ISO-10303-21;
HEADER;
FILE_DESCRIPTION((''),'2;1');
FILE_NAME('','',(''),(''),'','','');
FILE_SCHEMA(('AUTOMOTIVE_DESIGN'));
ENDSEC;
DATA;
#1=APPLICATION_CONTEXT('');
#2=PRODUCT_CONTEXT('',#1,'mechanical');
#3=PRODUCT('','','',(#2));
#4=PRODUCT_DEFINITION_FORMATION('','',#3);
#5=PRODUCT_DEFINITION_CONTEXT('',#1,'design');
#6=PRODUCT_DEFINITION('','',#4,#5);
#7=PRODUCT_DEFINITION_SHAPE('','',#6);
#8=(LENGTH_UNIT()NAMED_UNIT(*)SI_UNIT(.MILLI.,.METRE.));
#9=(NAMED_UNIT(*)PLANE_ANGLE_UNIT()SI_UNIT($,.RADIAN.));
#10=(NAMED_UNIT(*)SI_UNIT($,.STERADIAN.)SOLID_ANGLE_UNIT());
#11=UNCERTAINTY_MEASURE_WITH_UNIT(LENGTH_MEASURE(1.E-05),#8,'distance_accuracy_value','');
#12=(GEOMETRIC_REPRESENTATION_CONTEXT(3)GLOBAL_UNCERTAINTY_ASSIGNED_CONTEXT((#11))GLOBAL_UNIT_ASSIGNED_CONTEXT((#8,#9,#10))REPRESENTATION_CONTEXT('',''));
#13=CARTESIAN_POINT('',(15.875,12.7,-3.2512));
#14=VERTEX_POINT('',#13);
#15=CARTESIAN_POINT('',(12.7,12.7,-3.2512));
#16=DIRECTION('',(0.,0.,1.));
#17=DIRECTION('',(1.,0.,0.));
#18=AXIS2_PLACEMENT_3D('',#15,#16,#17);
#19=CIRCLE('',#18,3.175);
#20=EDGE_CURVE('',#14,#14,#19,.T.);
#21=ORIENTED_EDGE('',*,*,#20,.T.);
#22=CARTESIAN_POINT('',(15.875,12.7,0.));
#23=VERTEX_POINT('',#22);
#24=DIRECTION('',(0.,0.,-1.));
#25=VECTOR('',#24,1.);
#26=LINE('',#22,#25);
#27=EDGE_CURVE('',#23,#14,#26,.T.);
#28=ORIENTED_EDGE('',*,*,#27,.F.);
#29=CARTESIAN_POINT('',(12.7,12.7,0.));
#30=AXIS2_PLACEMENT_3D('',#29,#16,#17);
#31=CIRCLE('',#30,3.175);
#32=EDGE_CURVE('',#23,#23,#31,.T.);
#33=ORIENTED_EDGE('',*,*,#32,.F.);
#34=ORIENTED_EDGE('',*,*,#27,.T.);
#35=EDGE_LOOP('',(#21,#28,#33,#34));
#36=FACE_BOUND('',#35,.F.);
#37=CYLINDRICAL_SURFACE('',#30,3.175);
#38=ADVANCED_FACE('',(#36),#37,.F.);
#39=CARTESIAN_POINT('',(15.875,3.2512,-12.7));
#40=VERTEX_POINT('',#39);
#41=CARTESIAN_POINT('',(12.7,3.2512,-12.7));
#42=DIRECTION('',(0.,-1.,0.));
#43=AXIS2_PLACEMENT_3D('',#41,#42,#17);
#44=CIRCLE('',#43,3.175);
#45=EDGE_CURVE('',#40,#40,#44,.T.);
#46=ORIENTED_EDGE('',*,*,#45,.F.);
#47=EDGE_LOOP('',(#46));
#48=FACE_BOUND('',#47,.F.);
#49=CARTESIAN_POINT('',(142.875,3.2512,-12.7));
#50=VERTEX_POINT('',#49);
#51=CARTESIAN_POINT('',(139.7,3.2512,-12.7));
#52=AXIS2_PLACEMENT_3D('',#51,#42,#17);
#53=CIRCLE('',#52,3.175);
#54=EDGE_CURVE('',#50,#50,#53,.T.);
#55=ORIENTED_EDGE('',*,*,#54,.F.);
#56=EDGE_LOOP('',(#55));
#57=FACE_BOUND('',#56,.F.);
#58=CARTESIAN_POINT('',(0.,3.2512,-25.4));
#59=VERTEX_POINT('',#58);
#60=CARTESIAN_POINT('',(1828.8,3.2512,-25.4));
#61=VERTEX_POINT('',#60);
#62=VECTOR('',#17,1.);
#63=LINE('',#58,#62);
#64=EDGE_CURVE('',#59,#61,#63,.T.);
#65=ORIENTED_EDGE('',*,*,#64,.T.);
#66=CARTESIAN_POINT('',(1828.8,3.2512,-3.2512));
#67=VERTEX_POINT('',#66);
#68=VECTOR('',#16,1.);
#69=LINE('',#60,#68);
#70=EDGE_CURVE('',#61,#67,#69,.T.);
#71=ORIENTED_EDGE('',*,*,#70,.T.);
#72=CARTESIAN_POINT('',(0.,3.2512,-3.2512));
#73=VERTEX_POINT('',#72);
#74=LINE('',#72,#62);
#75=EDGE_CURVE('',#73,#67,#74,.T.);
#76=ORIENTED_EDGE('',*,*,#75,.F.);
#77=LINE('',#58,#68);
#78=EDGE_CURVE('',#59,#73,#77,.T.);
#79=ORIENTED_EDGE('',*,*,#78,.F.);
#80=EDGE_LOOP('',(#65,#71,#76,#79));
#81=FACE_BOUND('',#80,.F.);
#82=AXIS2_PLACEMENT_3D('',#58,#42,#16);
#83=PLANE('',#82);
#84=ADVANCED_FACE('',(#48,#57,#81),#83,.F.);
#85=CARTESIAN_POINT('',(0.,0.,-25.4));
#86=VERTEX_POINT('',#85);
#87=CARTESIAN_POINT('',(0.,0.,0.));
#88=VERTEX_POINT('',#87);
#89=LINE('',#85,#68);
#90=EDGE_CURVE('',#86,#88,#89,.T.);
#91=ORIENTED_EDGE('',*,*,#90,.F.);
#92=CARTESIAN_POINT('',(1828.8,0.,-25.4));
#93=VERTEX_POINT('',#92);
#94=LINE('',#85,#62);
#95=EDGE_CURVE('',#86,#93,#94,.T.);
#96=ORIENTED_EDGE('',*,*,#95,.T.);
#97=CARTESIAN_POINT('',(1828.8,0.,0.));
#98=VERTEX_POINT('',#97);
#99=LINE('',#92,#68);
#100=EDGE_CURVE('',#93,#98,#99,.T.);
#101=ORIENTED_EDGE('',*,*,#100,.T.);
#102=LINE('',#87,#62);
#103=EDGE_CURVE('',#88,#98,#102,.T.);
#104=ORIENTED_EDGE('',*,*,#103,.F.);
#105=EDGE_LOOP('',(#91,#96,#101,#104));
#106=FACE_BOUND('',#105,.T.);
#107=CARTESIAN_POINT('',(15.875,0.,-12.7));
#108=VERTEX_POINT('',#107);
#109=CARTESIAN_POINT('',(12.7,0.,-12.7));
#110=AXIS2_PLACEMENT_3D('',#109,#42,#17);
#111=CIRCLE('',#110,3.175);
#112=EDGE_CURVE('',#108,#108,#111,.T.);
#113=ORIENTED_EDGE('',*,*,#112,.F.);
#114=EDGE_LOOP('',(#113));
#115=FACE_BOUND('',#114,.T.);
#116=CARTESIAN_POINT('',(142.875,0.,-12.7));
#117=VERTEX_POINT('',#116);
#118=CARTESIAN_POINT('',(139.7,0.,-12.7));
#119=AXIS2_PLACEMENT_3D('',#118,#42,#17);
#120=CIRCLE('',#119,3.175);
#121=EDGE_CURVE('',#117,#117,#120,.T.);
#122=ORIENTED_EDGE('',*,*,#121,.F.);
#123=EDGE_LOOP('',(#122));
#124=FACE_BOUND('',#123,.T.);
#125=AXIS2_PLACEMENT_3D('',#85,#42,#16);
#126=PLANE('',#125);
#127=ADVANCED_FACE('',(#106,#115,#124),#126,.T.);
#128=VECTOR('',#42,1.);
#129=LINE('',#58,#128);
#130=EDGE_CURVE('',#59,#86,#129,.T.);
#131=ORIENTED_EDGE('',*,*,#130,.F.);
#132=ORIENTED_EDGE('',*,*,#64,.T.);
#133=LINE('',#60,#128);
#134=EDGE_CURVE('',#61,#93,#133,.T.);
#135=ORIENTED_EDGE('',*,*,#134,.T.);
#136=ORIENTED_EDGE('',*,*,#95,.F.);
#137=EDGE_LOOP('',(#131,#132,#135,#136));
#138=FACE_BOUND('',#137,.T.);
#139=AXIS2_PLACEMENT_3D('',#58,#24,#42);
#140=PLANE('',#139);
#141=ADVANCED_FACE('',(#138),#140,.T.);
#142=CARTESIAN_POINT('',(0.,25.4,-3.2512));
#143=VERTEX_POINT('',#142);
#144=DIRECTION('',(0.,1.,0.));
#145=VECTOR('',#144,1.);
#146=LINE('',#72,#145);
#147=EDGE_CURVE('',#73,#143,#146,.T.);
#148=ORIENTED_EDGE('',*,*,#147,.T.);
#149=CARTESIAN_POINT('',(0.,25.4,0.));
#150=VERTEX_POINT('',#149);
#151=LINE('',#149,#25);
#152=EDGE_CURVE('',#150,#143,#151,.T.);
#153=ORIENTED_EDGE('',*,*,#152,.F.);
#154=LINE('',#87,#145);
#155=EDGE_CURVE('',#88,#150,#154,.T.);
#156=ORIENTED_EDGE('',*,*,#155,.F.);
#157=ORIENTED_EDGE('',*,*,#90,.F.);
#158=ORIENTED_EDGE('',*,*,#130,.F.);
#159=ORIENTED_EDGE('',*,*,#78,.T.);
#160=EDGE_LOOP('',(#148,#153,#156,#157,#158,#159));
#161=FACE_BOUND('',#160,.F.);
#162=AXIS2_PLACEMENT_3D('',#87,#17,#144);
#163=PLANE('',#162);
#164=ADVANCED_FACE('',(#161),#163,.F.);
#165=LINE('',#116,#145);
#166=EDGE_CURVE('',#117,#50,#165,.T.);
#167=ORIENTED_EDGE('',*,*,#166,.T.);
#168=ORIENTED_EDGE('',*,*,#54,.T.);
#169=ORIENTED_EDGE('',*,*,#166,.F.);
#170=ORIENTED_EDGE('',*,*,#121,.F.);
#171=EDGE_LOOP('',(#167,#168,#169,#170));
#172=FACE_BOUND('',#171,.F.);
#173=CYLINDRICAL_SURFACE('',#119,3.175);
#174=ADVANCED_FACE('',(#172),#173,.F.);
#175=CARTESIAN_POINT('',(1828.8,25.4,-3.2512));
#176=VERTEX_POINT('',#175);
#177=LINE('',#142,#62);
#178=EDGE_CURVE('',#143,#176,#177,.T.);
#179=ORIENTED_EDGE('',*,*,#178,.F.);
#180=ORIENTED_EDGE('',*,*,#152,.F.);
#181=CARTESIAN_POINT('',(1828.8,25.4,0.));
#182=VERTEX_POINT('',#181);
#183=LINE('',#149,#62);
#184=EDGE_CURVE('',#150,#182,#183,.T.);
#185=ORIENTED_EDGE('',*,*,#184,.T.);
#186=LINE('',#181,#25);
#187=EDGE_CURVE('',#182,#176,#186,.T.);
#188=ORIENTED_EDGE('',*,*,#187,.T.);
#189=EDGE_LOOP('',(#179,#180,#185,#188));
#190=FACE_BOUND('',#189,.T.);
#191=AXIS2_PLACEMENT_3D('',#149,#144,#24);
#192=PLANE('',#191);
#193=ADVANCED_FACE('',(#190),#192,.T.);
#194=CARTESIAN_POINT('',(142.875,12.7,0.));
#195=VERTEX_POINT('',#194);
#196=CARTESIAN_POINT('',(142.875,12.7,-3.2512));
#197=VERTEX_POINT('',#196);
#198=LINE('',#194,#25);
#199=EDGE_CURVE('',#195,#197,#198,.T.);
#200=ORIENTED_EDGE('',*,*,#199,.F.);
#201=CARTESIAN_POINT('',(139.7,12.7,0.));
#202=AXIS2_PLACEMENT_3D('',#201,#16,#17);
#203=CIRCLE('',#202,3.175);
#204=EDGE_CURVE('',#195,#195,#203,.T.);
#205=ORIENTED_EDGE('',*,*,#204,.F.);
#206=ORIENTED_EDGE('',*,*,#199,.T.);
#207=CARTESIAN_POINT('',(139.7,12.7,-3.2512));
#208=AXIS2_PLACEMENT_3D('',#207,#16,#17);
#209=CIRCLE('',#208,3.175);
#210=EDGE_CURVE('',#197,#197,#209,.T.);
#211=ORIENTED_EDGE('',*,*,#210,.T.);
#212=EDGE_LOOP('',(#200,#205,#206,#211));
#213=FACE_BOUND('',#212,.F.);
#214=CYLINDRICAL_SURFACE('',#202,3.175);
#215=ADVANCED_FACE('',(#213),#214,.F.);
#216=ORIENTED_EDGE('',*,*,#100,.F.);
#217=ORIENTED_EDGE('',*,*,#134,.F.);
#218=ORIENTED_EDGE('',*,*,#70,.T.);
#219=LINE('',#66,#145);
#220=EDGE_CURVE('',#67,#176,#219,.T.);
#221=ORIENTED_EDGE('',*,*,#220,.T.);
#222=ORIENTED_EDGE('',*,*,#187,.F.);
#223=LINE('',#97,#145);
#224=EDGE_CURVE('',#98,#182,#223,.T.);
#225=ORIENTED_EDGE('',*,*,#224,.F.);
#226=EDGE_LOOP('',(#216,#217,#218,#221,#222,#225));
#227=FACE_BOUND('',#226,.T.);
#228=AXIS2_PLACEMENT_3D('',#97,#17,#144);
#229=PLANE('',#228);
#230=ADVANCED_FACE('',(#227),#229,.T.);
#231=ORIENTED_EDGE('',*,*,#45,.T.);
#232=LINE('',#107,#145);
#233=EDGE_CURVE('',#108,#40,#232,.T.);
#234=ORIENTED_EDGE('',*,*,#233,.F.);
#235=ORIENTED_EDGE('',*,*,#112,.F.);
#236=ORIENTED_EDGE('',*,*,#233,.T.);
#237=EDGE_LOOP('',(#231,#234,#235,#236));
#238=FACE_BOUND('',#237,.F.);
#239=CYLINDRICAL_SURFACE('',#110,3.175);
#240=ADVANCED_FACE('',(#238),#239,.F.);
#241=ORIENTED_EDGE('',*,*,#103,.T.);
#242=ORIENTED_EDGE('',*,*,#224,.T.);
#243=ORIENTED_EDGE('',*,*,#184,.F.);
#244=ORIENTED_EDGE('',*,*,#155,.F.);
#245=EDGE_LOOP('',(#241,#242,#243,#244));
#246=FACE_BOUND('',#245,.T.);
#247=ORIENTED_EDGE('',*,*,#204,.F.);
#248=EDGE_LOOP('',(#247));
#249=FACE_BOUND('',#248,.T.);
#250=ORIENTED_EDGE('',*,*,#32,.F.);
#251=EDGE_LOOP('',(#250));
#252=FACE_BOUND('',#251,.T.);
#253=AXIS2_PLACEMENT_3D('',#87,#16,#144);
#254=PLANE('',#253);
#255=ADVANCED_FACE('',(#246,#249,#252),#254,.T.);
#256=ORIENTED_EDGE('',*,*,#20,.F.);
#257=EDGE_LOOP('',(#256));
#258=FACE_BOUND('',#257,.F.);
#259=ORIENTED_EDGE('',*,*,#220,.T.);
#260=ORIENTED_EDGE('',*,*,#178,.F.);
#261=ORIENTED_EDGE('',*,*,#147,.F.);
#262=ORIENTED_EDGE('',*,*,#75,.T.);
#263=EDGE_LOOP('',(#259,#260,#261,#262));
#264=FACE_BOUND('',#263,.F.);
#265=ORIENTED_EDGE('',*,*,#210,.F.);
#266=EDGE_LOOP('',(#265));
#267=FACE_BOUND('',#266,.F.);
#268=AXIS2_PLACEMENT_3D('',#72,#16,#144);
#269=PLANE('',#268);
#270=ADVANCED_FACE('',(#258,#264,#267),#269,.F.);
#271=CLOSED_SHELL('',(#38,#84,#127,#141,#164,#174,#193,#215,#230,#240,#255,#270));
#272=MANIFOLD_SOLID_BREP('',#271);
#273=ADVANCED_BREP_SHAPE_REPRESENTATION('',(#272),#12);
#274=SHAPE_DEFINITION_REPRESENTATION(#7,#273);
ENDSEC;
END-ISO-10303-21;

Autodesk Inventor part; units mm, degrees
ref_plane "YZ Plane" through (0, 0, 0) normal (1, 0, 0) x (0, 1, 0)
ref_plane "XZ Plane" through (0, 0, 0) normal (0, 1, 0) x (-1, 0, 0)
ref_plane "XY Plane" through (0, 0, 0) normal (0, 0, 1) x (1, 0, 0)
sketch "Sketch1" plane through (0, 0, 0) normal (1, 0, 0) x (0, 1, 0)
  line L0 (0, 0) -> (25.4, 0)
  line L1 (3.2512, -25.4) -> (0, -25.4)
  line L2 (0, -25.4) -> (0, 0)
  line L3 (3.2512, -3.2512) -> (25.4, -3.2512)
  line L4 (3.2512, -25.4) -> (3.2512, -3.2512)
  line L5 (25.4, 0) -> (25.4, -3.2512)
  dimension "d0" = 25.4
  dimension "d1" = 3.2512
extrude "Extrusion1" add sketch "Sketch1" along normal blind 1828.8
sketch "Sketch2" plane through (0, 0, 0) normal (0, 0, 1) x (1, 0, 0)
  line L0 (0, 0) -> (0, 25.4) projected
  line L1 (0, 12.7) -> (44.4361, 12.7) construction
  circle A0 centre (12.7, 12.7) radius 3.175
  circle A1 centre (139.7, 12.7) radius 3.175
  dimension "d4" = 6.35
  dimension "d5" = 12.7
  dimension "d6" = 139.7
extrude "Extrusion2" cut sketch "Sketch2" against normal blind 1828.8
sketch "Sketch3" plane through (0, 0, -25.4) normal (0, -1, 0) x (1, 0, 0)
  line L0 (0, 0) -> (0, 25.4) projected
  line L1 (0, 12.7) -> (119.8367, 12.7) construction
  circle A0 centre (12.7, 12.7) radius 3.175
  circle A1 centre (139.7, 12.7) radius 3.175
  dimension "d9" = 6.35
  dimension "d10" = 12.7
  dimension "d11" = 139.7
extrude "Extrusion3" cut sketch "Sketch3" against normal blind 1828.8
properties part number "Upper Long L"
